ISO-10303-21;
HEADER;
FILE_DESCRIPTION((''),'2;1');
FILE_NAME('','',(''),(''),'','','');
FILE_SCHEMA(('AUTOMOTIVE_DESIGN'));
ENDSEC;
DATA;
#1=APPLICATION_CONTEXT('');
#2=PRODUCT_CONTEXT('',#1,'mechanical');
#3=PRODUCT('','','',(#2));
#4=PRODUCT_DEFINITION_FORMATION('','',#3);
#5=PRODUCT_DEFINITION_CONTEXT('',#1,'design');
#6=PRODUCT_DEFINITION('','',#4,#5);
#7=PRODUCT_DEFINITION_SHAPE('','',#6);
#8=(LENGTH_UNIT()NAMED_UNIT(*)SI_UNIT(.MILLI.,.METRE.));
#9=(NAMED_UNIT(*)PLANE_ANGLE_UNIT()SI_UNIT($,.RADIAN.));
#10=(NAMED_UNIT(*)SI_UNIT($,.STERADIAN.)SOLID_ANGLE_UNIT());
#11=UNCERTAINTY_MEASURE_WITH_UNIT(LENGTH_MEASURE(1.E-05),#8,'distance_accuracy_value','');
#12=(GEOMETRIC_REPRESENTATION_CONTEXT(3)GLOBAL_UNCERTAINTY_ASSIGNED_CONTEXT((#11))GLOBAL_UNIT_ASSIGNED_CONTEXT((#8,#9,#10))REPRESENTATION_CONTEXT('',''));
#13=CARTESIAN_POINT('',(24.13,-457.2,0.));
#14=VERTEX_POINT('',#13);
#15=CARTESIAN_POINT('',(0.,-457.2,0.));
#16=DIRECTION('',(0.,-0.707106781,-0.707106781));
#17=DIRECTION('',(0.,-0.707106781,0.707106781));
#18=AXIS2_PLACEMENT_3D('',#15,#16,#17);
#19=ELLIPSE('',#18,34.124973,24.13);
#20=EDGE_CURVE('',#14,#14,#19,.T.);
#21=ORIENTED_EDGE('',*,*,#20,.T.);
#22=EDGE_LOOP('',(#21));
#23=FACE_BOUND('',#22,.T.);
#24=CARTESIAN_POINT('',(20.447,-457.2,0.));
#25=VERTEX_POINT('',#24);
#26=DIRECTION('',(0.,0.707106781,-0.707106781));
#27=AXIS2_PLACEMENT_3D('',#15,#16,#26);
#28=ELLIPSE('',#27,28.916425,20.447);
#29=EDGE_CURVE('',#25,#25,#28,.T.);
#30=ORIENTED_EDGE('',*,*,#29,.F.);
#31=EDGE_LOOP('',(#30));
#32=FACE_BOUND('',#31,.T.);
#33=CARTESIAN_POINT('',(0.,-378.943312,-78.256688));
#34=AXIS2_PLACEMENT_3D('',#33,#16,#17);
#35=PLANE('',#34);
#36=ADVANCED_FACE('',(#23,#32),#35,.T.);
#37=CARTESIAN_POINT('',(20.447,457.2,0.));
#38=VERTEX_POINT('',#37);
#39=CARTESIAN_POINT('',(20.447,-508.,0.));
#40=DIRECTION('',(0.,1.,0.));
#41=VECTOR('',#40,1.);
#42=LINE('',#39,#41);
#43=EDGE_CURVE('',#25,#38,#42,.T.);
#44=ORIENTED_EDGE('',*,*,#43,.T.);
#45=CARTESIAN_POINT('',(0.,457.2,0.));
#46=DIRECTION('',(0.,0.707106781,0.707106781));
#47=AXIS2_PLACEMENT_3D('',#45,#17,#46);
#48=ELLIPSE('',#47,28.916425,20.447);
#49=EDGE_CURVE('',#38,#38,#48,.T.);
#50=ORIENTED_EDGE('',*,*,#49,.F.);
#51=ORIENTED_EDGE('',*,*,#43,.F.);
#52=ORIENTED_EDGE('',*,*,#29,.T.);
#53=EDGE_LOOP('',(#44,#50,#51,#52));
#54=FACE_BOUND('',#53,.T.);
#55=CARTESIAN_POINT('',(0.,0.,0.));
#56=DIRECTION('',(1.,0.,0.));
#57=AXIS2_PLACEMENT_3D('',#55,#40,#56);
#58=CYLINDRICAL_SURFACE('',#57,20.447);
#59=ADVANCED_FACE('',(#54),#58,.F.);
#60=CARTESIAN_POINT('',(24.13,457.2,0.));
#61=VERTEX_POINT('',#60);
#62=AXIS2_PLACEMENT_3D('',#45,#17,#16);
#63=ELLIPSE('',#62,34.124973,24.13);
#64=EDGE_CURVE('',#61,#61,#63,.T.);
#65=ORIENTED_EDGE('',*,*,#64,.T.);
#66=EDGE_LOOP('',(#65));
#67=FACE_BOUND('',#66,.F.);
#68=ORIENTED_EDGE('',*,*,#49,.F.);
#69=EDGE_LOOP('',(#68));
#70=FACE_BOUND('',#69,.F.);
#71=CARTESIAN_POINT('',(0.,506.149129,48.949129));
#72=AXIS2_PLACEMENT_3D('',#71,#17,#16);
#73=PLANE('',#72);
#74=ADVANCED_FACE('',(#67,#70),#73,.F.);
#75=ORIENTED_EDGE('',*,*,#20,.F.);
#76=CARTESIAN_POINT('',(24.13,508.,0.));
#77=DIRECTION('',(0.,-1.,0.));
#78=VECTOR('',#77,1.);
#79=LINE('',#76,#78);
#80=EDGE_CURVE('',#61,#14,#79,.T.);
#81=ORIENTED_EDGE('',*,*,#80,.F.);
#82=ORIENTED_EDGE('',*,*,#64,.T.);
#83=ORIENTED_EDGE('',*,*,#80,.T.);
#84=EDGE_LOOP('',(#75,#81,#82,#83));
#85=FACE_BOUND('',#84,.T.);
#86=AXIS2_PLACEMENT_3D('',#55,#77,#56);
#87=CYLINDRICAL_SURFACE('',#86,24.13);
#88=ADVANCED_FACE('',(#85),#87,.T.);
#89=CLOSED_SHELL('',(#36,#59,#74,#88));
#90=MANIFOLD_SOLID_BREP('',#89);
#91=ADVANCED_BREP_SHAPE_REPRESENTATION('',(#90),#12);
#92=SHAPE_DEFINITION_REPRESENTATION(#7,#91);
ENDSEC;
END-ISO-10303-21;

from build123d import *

# Parameters (mm, degrees)
F0_R     = 24.13
F0_R_2   = 20.447
F1_DEPTH = 508
F3_DEPTH = 76.2


with BuildPart() as f1:
    # F0 (on Front) → F1 (new body, symmetric)
    with BuildSketch(Plane.XZ):
        Circle(F0_R)
        Circle(F0_R_2, mode=Mode.SUBTRACT)
    extrude(amount=F1_DEPTH, both=True)

    # F2 (on Right) → F3 (cut, symmetric)
    with BuildSketch(Plane.YZ):
        Polygon((-378.943312, -78.256688), (-457.2, 0), (-506.149129, 48.949129), (-548.543801, 25.520511), (-532.924696, -70.425279), align=None)
        Polygon((532.924696, -70.425279), (548.543801, 25.520511), (506.149129, 48.949129), (457.2, 0), (378.943312, -78.256688), align=None)
    extrude(amount=F3_DEPTH, both=True, mode=Mode.SUBTRACT)


solid = f1.part
